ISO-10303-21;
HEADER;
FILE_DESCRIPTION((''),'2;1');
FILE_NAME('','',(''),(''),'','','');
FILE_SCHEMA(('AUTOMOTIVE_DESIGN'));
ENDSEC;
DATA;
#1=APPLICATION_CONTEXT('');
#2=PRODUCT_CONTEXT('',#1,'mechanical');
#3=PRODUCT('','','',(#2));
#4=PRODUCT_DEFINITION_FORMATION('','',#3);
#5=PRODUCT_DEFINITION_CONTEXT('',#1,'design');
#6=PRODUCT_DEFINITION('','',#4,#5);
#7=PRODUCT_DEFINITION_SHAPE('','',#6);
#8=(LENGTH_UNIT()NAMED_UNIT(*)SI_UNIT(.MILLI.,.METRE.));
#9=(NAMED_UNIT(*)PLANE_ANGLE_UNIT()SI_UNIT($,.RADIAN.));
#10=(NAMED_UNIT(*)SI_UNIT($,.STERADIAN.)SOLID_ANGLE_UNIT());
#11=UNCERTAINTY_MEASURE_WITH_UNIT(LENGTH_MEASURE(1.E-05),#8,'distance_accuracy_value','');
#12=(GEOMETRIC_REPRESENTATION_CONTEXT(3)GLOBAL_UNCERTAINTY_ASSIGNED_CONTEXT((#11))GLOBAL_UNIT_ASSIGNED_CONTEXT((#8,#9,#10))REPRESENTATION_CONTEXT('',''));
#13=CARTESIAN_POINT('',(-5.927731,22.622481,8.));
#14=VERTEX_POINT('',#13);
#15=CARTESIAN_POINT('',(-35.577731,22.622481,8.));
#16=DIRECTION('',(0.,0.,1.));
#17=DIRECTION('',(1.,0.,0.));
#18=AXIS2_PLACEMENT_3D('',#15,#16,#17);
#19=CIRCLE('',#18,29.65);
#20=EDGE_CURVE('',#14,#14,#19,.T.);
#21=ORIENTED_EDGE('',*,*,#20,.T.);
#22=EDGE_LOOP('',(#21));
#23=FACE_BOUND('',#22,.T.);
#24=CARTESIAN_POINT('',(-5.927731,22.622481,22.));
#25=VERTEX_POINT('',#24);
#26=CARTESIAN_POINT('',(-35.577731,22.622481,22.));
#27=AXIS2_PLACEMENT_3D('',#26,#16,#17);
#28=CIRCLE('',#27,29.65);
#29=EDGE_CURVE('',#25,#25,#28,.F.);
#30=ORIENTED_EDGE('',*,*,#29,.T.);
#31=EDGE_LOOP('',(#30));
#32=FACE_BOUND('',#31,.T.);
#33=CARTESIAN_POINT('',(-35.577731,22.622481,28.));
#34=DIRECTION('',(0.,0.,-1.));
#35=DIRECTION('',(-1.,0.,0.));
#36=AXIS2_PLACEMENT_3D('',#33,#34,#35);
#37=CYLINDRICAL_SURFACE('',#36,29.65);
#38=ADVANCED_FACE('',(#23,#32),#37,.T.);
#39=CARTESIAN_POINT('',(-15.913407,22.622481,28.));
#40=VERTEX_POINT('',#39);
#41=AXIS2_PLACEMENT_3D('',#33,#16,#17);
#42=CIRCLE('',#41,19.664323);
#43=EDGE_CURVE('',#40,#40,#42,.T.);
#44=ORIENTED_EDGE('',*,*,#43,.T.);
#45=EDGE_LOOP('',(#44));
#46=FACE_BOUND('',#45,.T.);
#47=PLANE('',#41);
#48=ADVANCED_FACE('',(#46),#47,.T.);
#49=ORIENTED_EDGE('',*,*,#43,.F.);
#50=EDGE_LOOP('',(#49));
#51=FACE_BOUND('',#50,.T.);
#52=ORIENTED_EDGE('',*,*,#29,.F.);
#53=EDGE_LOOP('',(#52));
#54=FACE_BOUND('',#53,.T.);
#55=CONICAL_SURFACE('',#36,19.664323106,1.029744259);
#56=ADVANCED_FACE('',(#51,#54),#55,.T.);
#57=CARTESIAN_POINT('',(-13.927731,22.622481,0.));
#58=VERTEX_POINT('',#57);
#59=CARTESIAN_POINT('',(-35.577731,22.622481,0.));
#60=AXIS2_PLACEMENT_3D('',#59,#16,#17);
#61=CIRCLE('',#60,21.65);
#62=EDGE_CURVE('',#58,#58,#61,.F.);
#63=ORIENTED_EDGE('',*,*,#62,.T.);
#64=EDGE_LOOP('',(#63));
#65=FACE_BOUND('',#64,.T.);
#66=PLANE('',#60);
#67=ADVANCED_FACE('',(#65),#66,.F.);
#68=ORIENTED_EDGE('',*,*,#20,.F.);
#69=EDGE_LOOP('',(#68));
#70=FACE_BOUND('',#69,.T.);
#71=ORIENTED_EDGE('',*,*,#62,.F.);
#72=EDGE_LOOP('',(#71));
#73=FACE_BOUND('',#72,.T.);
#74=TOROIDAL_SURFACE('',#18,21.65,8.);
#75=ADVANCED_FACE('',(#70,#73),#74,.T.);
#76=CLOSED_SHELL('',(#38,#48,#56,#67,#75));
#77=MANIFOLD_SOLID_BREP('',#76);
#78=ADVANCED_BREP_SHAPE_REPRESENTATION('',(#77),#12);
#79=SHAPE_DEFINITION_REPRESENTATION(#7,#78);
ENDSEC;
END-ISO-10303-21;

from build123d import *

# Parameters (mm, degrees)
SKETCH_1_R      = 29.65
EXTRUDE_1_DEPTH = 28
CHAMFER_1_SIZE  = 6
CHAMFER_1_SIZE2 = 9.985676894
FILLET_1_R      = 8


with BuildPart() as part:
    # 草图1 → 凸台-拉伸1 (new body)
    with BuildSketch(Plane.XY):
        with Locations((-35.577730584, 22.622481005)):
            Circle(SKETCH_1_R)
    extrude(amount=EXTRUDE_1_DEPTH)

    # 倒角1
    chamfer_1_edges = [part.edges().sort_by_distance(p)[0] for p in [
        (-65.227730584, 22.622481005, 28),
    ]]
    chamfer_1_side = [part.faces().sort_by_distance(p)[0] for p in [
        (-65.227730584, 22.622481005, 14),
    ]]
    chamfer(chamfer_1_edges, length=CHAMFER_1_SIZE, length2=CHAMFER_1_SIZE2, reference=chamfer_1_side[0])

    # 圆角1
    fillet_1_edges = [part.edges().sort_by_distance(p)[0] for p in [
        (-65.227730584, 22.622481005, 0),
    ]]
    fillet(fillet_1_edges, radius=FILLET_1_R)


solid = part.part
